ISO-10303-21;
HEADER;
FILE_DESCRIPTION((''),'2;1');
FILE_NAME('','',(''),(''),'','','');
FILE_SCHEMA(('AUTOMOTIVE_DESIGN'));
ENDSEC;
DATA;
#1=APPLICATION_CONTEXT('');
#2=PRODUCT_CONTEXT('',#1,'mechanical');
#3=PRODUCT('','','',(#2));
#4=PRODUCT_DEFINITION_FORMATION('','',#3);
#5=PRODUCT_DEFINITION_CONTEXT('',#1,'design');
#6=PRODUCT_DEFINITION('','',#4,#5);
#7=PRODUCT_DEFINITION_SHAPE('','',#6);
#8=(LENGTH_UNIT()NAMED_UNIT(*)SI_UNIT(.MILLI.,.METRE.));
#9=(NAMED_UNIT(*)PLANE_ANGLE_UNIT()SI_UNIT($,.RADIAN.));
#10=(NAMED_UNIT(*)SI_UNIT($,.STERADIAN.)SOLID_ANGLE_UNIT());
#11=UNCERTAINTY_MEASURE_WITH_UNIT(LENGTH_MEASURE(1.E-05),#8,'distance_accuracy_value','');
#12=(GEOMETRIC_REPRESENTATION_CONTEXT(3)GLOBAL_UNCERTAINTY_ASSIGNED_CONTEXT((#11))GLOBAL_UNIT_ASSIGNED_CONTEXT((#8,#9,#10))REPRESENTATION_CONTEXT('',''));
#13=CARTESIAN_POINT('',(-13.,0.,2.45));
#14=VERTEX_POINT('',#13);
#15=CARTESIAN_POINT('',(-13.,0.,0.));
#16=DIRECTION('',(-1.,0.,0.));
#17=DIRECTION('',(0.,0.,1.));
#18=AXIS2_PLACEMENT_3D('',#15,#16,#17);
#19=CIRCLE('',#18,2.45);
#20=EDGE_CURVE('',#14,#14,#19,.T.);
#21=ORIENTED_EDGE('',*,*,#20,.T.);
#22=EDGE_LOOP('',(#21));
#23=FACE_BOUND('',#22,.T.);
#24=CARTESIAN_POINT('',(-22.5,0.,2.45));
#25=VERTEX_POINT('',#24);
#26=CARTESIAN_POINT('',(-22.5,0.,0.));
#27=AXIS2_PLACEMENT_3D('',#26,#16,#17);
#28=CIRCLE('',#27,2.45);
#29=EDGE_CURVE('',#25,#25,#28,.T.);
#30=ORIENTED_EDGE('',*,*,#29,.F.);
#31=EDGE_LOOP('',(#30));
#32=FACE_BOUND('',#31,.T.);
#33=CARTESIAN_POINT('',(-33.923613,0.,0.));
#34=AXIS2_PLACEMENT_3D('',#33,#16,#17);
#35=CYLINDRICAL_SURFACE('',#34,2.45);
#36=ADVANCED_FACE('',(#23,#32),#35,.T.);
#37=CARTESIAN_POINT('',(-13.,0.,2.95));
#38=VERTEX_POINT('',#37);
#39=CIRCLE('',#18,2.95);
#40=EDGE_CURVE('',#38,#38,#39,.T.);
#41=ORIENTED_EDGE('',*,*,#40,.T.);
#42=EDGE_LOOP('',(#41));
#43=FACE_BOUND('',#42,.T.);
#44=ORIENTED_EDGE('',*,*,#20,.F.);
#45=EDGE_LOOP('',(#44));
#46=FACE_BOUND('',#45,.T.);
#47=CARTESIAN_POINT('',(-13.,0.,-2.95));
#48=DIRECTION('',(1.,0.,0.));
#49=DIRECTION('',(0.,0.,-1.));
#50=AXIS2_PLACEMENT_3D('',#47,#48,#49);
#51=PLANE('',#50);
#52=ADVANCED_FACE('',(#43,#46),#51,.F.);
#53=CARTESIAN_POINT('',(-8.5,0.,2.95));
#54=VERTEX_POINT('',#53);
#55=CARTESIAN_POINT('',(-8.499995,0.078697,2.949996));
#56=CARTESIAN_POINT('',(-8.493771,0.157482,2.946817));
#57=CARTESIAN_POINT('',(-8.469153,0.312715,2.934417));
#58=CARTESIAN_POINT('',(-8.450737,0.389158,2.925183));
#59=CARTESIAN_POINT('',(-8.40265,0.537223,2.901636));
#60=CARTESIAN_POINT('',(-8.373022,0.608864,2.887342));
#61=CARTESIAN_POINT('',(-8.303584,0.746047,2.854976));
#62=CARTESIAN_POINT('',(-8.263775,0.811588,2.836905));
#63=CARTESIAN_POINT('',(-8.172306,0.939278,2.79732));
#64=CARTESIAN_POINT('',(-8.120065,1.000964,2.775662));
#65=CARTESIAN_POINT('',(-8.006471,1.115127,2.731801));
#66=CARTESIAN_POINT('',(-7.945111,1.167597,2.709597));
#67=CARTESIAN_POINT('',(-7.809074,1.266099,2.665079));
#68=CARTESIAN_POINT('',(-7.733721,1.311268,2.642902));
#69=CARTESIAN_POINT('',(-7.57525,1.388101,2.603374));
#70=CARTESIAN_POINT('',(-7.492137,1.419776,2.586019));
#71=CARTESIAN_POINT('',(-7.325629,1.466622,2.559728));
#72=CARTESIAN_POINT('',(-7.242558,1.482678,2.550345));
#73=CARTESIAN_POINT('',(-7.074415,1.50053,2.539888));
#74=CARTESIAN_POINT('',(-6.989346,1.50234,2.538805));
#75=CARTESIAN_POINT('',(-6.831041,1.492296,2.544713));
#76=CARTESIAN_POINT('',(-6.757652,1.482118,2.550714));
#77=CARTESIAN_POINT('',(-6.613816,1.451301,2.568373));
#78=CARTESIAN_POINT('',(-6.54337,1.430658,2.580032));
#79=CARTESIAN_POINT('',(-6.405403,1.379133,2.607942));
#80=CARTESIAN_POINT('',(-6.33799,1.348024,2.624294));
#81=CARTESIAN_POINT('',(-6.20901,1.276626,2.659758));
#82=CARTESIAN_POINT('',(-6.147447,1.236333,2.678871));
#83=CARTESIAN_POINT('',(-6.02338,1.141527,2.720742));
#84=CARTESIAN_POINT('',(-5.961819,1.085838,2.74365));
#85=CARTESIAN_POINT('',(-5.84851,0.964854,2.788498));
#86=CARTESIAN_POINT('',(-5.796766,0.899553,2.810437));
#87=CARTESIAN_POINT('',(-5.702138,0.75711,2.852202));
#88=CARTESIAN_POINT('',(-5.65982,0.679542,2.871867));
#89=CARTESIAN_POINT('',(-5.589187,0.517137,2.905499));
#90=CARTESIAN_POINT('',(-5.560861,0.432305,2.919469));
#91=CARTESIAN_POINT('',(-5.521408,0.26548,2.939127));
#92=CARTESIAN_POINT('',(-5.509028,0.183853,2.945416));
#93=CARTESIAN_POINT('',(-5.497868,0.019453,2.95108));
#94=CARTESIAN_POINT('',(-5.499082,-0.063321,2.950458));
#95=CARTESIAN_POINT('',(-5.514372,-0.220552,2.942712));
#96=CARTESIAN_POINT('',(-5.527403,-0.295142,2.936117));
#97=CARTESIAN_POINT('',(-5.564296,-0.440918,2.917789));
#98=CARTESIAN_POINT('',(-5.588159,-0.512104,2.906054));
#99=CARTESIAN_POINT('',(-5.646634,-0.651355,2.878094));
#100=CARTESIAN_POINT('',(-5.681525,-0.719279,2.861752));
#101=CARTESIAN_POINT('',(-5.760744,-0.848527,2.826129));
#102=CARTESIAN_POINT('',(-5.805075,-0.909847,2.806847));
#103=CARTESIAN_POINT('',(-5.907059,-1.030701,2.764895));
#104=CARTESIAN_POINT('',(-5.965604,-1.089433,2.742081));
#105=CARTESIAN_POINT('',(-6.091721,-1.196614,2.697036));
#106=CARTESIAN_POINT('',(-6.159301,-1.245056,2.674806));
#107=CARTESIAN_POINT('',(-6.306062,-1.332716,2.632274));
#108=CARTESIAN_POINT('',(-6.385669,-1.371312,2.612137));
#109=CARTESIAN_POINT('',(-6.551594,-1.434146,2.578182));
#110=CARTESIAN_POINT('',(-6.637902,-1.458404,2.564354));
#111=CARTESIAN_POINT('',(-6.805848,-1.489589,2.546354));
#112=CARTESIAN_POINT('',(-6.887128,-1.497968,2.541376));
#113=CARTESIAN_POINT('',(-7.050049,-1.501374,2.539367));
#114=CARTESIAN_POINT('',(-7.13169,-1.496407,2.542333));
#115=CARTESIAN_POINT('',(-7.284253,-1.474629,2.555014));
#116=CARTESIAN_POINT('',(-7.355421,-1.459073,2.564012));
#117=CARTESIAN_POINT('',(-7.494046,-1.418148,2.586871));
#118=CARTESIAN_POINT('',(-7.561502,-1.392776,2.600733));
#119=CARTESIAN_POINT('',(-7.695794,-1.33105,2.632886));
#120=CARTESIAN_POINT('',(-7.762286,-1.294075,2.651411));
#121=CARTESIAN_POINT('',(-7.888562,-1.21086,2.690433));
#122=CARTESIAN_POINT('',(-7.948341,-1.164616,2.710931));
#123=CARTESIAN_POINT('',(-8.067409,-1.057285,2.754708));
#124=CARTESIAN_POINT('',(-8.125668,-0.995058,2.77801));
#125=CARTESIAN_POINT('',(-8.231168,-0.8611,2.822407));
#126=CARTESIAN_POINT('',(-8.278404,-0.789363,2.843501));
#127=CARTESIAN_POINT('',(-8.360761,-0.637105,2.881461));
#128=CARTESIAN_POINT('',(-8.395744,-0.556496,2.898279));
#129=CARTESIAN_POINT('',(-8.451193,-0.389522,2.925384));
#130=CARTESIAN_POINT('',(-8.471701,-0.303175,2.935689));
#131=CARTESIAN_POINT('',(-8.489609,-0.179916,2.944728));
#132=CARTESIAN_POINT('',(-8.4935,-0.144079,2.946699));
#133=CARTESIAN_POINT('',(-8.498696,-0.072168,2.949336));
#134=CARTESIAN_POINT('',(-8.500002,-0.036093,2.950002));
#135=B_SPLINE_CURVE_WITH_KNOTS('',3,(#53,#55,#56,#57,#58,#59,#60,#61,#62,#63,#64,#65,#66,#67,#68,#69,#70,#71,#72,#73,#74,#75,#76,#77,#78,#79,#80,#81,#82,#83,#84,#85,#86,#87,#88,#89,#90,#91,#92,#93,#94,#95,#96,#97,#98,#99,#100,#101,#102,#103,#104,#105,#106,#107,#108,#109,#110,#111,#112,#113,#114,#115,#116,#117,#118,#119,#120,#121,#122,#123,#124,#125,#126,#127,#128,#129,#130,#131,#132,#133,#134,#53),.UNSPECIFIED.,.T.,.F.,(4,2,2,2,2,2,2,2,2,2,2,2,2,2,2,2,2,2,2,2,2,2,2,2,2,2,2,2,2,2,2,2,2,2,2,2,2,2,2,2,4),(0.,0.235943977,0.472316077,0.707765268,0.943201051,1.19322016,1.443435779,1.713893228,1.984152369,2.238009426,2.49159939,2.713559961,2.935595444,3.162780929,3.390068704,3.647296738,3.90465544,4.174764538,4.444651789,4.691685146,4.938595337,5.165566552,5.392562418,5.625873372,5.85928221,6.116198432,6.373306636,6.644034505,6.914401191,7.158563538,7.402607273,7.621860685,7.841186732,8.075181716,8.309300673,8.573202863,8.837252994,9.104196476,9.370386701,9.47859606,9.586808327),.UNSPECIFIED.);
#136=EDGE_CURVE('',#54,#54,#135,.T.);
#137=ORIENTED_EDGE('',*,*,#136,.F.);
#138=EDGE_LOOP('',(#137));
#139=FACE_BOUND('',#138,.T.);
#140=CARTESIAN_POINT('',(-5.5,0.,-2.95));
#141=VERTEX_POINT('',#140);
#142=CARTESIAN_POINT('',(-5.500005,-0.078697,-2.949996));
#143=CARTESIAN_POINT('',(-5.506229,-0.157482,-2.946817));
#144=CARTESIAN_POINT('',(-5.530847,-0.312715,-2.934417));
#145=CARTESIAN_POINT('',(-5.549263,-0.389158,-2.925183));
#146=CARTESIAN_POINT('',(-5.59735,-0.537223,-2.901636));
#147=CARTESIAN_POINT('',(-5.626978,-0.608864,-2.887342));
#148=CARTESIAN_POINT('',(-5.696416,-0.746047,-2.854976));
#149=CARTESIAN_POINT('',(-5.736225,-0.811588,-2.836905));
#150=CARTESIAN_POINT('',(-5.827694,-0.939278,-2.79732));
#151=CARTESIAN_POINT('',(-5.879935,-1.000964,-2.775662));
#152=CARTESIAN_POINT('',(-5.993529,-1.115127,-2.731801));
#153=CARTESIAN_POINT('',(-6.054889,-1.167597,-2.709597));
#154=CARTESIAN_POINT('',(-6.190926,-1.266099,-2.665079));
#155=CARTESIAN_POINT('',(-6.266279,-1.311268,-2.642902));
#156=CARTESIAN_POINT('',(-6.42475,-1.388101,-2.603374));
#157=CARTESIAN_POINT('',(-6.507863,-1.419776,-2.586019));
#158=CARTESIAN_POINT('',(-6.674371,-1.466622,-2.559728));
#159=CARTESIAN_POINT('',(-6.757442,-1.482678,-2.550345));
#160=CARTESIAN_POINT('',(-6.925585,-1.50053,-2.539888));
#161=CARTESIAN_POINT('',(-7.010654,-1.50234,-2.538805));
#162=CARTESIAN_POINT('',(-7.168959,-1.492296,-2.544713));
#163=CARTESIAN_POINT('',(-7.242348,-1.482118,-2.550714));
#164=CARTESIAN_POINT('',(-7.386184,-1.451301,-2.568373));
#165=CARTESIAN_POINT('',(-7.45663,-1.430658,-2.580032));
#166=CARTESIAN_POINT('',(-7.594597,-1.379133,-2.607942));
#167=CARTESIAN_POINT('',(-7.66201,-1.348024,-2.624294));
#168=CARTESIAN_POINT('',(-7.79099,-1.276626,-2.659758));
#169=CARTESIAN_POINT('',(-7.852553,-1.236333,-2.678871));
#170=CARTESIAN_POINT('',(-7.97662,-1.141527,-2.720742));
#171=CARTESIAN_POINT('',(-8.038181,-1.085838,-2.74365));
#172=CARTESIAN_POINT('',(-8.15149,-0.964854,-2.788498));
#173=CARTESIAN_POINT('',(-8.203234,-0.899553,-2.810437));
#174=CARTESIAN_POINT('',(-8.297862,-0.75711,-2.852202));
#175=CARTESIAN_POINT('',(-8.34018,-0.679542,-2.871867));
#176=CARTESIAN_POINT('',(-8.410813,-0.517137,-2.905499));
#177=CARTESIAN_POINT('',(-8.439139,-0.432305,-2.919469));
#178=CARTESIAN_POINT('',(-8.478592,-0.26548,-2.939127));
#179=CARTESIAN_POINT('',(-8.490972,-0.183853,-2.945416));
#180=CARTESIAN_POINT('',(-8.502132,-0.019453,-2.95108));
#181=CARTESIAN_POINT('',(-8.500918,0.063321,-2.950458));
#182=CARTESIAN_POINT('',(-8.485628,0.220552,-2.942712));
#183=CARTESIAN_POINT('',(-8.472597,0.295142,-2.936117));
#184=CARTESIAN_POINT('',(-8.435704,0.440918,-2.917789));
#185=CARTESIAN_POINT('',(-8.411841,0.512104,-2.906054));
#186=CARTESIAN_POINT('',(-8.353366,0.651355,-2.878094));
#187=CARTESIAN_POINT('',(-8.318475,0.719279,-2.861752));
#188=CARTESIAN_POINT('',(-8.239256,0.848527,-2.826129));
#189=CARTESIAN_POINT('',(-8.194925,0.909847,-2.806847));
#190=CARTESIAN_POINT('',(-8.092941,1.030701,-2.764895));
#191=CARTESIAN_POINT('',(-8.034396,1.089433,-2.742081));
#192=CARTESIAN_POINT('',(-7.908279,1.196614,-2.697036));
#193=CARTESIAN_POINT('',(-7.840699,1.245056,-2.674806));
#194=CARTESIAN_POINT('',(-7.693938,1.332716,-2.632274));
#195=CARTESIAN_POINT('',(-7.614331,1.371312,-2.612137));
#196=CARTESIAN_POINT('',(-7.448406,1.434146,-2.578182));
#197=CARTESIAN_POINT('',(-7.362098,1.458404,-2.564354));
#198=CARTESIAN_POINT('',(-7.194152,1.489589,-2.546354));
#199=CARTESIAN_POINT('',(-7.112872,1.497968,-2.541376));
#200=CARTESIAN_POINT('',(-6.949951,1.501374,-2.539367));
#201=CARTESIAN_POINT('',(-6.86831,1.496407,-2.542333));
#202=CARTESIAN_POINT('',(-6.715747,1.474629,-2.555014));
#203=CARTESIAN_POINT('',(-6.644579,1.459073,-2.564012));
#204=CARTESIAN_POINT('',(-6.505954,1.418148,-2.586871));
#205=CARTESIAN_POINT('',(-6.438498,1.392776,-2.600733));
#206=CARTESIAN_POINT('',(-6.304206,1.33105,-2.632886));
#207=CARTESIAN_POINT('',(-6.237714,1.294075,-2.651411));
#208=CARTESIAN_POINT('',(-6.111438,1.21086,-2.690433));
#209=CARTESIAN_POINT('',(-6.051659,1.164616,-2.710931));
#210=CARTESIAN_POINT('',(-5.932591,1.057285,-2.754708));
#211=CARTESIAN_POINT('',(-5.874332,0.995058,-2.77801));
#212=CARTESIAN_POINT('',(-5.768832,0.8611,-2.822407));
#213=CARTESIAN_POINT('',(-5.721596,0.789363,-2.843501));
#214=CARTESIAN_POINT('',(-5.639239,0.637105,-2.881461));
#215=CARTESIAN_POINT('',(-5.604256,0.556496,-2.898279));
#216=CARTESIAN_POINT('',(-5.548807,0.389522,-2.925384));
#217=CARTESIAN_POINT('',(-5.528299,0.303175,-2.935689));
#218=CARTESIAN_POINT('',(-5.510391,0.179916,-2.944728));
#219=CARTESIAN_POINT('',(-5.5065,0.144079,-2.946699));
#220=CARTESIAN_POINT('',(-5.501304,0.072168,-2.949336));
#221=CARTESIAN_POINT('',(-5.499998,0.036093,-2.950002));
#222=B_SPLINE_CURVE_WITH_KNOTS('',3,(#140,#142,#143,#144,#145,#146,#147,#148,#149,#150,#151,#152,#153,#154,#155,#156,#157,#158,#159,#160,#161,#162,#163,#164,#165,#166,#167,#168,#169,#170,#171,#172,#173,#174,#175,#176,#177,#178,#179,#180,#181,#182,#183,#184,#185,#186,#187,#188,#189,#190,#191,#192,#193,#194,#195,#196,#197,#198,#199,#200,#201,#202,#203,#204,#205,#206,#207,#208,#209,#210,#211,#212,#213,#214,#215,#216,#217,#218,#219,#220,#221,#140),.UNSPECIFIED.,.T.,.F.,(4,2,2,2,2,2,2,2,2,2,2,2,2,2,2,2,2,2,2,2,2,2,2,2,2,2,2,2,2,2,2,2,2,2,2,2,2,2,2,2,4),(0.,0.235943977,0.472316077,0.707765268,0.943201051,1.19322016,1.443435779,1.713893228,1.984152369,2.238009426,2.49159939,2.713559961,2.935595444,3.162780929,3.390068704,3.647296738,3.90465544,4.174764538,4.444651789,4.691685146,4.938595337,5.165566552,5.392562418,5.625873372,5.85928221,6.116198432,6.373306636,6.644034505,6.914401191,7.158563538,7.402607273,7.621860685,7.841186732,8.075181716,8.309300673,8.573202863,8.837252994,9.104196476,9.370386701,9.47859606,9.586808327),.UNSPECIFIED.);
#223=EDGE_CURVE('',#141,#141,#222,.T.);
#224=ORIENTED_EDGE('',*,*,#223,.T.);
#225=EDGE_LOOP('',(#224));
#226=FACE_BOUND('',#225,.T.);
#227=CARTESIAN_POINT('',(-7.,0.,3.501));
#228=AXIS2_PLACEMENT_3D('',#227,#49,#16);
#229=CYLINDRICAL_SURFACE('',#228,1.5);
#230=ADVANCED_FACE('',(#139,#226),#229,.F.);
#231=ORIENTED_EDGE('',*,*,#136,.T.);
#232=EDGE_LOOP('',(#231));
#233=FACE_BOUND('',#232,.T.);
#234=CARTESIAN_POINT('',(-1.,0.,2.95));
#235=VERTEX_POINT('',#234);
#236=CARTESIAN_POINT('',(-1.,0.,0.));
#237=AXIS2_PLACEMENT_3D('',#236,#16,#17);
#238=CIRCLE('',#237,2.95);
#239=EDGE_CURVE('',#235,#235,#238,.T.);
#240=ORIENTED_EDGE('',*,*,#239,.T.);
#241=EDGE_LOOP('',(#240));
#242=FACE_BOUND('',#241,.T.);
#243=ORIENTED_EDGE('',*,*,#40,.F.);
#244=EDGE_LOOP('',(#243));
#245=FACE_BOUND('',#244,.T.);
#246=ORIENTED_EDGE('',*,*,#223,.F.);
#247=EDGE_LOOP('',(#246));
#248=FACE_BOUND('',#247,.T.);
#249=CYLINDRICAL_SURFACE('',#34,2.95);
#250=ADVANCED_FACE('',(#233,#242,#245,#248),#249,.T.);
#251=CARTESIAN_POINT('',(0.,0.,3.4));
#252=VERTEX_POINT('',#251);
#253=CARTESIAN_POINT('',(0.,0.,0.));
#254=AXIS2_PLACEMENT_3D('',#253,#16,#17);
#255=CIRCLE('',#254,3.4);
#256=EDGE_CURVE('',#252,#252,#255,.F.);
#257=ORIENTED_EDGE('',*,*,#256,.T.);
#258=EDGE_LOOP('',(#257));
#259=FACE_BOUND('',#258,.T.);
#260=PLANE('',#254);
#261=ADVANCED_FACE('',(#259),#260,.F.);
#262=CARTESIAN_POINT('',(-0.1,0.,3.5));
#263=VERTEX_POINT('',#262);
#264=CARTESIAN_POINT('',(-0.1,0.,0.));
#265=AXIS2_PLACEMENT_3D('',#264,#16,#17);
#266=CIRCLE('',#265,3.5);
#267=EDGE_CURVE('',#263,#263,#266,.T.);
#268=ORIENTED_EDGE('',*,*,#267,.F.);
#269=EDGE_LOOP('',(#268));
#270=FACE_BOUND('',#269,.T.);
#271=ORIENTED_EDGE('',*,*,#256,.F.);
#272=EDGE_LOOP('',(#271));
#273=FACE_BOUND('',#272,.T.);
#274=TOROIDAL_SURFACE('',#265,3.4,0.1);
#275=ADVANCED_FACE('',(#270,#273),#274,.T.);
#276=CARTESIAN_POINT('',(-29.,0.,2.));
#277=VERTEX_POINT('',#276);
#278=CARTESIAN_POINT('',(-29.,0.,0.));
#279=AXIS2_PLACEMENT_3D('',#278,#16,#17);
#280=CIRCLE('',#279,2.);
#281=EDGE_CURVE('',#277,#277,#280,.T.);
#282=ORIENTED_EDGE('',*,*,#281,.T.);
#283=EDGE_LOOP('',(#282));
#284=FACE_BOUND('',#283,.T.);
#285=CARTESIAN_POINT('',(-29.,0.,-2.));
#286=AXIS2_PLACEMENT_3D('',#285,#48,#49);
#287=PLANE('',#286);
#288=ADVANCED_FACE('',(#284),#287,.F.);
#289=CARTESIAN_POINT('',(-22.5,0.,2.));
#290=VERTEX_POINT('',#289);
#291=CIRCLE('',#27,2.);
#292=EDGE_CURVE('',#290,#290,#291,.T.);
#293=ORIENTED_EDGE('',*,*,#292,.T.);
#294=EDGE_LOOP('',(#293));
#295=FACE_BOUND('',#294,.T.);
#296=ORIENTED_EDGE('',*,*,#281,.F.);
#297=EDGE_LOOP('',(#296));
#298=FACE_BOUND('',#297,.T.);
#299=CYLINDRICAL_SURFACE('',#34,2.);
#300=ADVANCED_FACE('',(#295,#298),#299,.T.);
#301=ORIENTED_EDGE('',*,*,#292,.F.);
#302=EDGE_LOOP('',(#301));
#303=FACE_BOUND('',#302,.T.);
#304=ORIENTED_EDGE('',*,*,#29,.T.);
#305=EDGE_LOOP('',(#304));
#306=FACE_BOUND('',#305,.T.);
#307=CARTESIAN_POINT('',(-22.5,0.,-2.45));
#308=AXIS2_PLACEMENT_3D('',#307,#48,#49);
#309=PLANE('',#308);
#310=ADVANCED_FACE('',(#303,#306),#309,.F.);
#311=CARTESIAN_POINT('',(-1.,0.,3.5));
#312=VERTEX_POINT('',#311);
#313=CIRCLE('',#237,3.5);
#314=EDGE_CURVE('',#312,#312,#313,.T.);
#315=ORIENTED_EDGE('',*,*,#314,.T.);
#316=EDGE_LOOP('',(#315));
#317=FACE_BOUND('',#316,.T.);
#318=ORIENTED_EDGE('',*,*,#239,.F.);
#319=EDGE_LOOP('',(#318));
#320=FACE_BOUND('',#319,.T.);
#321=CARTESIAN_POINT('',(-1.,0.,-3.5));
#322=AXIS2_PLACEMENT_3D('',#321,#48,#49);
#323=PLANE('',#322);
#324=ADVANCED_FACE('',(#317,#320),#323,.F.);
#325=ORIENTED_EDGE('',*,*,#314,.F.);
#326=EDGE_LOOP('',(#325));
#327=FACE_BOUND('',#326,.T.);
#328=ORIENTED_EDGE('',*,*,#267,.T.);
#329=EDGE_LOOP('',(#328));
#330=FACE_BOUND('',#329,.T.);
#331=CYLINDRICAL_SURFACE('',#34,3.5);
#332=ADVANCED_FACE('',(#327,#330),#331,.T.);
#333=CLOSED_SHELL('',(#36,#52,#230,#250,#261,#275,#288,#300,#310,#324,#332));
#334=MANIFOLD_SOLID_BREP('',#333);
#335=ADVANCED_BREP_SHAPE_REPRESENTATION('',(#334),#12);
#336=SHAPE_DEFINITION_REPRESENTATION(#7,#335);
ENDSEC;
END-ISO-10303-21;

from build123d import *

# Parameters (mm, degrees)
CUT_EXTRUDE1_REACH                  = 31.419
CUT_EXTRUDE1_END_RADIUS             = 2.95
SKETCH2_R                           = 1.5
CUT_EXTRUDE1_DIRECTION_2_REACH      = 31.419
CUT_EXTRUDE1_DIRECTION_2_END_RADIUS = 2.95
FILLET1_R                           = 0.1


with BuildPart() as part:
    # Sketch1 → Revolve1 (revolve)
    with BuildSketch(Plane(origin=(0, 0, 0), x_dir=(1, 0, 0), z_dir=(0, 1, 0)), mode=Mode.PRIVATE) as revolve1_sk:
        Polygon((-29, 0), (0, 0), (0, 3.5), (-1, 3.5), (-1, 2.95), (-13, 2.95), (-13, 2.45), (-22.5, 2.45), (-22.5, 2), (-29, 2), align=None)
    revolve(revolve1_sk.sketch.rotate(Axis((-33.923612536, 0, 0), (1, 0, 0)), 180), axis=Axis((-33.923612536, 0, 0), (1, 0, 0)))

    # Cut-Extrude1: up to this cylinder (the profile starts inside it)
    cut_extrude1_end = Plane(origin=(-7, 0, 0), z_dir=(-1, 0, 0)) * Cylinder(CUT_EXTRUDE1_END_RADIUS, 69.738, mode=Mode.PRIVATE)
    # Sketch2 → Cut-Extrude1 (cut, up to the surface)
    with BuildSketch(Plane.XY, mode=Mode.PRIVATE) as cut_extrude1_sk1:
        with Locations((-7, 0)):
            Circle(SKETCH2_R)
    cut_extrude1_tool1 = extrude(cut_extrude1_sk1.sketch, amount=-CUT_EXTRUDE1_REACH, mode=Mode.PRIVATE) & cut_extrude1_end
    add(cut_extrude1_tool1.solids().sort_by_distance((-7, 0, 0))[0], mode=Mode.SUBTRACT)

    # Cut-Extrude1 direction 2: up to this cylinder (the profile starts inside it)
    cut_extrude1_direction_2_end = Plane(origin=(-7, 0, 0), z_dir=(-1, 0, 0)) * Cylinder(CUT_EXTRUDE1_DIRECTION_2_END_RADIUS, 69.738, mode=Mode.PRIVATE)
    # Sketch2 → Cut-Extrude1 direction 2 (cut, up to the surface)
    with BuildSketch(Plane.XY, mode=Mode.PRIVATE) as cut_extrude1_direction_2_sk1:
        with Locations((-7, 0)):
            Circle(SKETCH2_R)
    cut_extrude1_direction_2_tool1 = extrude(cut_extrude1_direction_2_sk1.sketch, amount=CUT_EXTRUDE1_DIRECTION_2_REACH, mode=Mode.PRIVATE) & cut_extrude1_direction_2_end
    add(cut_extrude1_direction_2_tool1.solids().sort_by_distance((-7, 0, 0))[0], mode=Mode.SUBTRACT)

    # Fillet1
    fillet1_edges = [part.edges().sort_by_distance(p)[0] for p in [
        (0, 0, -3.5),
    ]]
    fillet(fillet1_edges, radius=FILLET1_R)


solid = part.part
